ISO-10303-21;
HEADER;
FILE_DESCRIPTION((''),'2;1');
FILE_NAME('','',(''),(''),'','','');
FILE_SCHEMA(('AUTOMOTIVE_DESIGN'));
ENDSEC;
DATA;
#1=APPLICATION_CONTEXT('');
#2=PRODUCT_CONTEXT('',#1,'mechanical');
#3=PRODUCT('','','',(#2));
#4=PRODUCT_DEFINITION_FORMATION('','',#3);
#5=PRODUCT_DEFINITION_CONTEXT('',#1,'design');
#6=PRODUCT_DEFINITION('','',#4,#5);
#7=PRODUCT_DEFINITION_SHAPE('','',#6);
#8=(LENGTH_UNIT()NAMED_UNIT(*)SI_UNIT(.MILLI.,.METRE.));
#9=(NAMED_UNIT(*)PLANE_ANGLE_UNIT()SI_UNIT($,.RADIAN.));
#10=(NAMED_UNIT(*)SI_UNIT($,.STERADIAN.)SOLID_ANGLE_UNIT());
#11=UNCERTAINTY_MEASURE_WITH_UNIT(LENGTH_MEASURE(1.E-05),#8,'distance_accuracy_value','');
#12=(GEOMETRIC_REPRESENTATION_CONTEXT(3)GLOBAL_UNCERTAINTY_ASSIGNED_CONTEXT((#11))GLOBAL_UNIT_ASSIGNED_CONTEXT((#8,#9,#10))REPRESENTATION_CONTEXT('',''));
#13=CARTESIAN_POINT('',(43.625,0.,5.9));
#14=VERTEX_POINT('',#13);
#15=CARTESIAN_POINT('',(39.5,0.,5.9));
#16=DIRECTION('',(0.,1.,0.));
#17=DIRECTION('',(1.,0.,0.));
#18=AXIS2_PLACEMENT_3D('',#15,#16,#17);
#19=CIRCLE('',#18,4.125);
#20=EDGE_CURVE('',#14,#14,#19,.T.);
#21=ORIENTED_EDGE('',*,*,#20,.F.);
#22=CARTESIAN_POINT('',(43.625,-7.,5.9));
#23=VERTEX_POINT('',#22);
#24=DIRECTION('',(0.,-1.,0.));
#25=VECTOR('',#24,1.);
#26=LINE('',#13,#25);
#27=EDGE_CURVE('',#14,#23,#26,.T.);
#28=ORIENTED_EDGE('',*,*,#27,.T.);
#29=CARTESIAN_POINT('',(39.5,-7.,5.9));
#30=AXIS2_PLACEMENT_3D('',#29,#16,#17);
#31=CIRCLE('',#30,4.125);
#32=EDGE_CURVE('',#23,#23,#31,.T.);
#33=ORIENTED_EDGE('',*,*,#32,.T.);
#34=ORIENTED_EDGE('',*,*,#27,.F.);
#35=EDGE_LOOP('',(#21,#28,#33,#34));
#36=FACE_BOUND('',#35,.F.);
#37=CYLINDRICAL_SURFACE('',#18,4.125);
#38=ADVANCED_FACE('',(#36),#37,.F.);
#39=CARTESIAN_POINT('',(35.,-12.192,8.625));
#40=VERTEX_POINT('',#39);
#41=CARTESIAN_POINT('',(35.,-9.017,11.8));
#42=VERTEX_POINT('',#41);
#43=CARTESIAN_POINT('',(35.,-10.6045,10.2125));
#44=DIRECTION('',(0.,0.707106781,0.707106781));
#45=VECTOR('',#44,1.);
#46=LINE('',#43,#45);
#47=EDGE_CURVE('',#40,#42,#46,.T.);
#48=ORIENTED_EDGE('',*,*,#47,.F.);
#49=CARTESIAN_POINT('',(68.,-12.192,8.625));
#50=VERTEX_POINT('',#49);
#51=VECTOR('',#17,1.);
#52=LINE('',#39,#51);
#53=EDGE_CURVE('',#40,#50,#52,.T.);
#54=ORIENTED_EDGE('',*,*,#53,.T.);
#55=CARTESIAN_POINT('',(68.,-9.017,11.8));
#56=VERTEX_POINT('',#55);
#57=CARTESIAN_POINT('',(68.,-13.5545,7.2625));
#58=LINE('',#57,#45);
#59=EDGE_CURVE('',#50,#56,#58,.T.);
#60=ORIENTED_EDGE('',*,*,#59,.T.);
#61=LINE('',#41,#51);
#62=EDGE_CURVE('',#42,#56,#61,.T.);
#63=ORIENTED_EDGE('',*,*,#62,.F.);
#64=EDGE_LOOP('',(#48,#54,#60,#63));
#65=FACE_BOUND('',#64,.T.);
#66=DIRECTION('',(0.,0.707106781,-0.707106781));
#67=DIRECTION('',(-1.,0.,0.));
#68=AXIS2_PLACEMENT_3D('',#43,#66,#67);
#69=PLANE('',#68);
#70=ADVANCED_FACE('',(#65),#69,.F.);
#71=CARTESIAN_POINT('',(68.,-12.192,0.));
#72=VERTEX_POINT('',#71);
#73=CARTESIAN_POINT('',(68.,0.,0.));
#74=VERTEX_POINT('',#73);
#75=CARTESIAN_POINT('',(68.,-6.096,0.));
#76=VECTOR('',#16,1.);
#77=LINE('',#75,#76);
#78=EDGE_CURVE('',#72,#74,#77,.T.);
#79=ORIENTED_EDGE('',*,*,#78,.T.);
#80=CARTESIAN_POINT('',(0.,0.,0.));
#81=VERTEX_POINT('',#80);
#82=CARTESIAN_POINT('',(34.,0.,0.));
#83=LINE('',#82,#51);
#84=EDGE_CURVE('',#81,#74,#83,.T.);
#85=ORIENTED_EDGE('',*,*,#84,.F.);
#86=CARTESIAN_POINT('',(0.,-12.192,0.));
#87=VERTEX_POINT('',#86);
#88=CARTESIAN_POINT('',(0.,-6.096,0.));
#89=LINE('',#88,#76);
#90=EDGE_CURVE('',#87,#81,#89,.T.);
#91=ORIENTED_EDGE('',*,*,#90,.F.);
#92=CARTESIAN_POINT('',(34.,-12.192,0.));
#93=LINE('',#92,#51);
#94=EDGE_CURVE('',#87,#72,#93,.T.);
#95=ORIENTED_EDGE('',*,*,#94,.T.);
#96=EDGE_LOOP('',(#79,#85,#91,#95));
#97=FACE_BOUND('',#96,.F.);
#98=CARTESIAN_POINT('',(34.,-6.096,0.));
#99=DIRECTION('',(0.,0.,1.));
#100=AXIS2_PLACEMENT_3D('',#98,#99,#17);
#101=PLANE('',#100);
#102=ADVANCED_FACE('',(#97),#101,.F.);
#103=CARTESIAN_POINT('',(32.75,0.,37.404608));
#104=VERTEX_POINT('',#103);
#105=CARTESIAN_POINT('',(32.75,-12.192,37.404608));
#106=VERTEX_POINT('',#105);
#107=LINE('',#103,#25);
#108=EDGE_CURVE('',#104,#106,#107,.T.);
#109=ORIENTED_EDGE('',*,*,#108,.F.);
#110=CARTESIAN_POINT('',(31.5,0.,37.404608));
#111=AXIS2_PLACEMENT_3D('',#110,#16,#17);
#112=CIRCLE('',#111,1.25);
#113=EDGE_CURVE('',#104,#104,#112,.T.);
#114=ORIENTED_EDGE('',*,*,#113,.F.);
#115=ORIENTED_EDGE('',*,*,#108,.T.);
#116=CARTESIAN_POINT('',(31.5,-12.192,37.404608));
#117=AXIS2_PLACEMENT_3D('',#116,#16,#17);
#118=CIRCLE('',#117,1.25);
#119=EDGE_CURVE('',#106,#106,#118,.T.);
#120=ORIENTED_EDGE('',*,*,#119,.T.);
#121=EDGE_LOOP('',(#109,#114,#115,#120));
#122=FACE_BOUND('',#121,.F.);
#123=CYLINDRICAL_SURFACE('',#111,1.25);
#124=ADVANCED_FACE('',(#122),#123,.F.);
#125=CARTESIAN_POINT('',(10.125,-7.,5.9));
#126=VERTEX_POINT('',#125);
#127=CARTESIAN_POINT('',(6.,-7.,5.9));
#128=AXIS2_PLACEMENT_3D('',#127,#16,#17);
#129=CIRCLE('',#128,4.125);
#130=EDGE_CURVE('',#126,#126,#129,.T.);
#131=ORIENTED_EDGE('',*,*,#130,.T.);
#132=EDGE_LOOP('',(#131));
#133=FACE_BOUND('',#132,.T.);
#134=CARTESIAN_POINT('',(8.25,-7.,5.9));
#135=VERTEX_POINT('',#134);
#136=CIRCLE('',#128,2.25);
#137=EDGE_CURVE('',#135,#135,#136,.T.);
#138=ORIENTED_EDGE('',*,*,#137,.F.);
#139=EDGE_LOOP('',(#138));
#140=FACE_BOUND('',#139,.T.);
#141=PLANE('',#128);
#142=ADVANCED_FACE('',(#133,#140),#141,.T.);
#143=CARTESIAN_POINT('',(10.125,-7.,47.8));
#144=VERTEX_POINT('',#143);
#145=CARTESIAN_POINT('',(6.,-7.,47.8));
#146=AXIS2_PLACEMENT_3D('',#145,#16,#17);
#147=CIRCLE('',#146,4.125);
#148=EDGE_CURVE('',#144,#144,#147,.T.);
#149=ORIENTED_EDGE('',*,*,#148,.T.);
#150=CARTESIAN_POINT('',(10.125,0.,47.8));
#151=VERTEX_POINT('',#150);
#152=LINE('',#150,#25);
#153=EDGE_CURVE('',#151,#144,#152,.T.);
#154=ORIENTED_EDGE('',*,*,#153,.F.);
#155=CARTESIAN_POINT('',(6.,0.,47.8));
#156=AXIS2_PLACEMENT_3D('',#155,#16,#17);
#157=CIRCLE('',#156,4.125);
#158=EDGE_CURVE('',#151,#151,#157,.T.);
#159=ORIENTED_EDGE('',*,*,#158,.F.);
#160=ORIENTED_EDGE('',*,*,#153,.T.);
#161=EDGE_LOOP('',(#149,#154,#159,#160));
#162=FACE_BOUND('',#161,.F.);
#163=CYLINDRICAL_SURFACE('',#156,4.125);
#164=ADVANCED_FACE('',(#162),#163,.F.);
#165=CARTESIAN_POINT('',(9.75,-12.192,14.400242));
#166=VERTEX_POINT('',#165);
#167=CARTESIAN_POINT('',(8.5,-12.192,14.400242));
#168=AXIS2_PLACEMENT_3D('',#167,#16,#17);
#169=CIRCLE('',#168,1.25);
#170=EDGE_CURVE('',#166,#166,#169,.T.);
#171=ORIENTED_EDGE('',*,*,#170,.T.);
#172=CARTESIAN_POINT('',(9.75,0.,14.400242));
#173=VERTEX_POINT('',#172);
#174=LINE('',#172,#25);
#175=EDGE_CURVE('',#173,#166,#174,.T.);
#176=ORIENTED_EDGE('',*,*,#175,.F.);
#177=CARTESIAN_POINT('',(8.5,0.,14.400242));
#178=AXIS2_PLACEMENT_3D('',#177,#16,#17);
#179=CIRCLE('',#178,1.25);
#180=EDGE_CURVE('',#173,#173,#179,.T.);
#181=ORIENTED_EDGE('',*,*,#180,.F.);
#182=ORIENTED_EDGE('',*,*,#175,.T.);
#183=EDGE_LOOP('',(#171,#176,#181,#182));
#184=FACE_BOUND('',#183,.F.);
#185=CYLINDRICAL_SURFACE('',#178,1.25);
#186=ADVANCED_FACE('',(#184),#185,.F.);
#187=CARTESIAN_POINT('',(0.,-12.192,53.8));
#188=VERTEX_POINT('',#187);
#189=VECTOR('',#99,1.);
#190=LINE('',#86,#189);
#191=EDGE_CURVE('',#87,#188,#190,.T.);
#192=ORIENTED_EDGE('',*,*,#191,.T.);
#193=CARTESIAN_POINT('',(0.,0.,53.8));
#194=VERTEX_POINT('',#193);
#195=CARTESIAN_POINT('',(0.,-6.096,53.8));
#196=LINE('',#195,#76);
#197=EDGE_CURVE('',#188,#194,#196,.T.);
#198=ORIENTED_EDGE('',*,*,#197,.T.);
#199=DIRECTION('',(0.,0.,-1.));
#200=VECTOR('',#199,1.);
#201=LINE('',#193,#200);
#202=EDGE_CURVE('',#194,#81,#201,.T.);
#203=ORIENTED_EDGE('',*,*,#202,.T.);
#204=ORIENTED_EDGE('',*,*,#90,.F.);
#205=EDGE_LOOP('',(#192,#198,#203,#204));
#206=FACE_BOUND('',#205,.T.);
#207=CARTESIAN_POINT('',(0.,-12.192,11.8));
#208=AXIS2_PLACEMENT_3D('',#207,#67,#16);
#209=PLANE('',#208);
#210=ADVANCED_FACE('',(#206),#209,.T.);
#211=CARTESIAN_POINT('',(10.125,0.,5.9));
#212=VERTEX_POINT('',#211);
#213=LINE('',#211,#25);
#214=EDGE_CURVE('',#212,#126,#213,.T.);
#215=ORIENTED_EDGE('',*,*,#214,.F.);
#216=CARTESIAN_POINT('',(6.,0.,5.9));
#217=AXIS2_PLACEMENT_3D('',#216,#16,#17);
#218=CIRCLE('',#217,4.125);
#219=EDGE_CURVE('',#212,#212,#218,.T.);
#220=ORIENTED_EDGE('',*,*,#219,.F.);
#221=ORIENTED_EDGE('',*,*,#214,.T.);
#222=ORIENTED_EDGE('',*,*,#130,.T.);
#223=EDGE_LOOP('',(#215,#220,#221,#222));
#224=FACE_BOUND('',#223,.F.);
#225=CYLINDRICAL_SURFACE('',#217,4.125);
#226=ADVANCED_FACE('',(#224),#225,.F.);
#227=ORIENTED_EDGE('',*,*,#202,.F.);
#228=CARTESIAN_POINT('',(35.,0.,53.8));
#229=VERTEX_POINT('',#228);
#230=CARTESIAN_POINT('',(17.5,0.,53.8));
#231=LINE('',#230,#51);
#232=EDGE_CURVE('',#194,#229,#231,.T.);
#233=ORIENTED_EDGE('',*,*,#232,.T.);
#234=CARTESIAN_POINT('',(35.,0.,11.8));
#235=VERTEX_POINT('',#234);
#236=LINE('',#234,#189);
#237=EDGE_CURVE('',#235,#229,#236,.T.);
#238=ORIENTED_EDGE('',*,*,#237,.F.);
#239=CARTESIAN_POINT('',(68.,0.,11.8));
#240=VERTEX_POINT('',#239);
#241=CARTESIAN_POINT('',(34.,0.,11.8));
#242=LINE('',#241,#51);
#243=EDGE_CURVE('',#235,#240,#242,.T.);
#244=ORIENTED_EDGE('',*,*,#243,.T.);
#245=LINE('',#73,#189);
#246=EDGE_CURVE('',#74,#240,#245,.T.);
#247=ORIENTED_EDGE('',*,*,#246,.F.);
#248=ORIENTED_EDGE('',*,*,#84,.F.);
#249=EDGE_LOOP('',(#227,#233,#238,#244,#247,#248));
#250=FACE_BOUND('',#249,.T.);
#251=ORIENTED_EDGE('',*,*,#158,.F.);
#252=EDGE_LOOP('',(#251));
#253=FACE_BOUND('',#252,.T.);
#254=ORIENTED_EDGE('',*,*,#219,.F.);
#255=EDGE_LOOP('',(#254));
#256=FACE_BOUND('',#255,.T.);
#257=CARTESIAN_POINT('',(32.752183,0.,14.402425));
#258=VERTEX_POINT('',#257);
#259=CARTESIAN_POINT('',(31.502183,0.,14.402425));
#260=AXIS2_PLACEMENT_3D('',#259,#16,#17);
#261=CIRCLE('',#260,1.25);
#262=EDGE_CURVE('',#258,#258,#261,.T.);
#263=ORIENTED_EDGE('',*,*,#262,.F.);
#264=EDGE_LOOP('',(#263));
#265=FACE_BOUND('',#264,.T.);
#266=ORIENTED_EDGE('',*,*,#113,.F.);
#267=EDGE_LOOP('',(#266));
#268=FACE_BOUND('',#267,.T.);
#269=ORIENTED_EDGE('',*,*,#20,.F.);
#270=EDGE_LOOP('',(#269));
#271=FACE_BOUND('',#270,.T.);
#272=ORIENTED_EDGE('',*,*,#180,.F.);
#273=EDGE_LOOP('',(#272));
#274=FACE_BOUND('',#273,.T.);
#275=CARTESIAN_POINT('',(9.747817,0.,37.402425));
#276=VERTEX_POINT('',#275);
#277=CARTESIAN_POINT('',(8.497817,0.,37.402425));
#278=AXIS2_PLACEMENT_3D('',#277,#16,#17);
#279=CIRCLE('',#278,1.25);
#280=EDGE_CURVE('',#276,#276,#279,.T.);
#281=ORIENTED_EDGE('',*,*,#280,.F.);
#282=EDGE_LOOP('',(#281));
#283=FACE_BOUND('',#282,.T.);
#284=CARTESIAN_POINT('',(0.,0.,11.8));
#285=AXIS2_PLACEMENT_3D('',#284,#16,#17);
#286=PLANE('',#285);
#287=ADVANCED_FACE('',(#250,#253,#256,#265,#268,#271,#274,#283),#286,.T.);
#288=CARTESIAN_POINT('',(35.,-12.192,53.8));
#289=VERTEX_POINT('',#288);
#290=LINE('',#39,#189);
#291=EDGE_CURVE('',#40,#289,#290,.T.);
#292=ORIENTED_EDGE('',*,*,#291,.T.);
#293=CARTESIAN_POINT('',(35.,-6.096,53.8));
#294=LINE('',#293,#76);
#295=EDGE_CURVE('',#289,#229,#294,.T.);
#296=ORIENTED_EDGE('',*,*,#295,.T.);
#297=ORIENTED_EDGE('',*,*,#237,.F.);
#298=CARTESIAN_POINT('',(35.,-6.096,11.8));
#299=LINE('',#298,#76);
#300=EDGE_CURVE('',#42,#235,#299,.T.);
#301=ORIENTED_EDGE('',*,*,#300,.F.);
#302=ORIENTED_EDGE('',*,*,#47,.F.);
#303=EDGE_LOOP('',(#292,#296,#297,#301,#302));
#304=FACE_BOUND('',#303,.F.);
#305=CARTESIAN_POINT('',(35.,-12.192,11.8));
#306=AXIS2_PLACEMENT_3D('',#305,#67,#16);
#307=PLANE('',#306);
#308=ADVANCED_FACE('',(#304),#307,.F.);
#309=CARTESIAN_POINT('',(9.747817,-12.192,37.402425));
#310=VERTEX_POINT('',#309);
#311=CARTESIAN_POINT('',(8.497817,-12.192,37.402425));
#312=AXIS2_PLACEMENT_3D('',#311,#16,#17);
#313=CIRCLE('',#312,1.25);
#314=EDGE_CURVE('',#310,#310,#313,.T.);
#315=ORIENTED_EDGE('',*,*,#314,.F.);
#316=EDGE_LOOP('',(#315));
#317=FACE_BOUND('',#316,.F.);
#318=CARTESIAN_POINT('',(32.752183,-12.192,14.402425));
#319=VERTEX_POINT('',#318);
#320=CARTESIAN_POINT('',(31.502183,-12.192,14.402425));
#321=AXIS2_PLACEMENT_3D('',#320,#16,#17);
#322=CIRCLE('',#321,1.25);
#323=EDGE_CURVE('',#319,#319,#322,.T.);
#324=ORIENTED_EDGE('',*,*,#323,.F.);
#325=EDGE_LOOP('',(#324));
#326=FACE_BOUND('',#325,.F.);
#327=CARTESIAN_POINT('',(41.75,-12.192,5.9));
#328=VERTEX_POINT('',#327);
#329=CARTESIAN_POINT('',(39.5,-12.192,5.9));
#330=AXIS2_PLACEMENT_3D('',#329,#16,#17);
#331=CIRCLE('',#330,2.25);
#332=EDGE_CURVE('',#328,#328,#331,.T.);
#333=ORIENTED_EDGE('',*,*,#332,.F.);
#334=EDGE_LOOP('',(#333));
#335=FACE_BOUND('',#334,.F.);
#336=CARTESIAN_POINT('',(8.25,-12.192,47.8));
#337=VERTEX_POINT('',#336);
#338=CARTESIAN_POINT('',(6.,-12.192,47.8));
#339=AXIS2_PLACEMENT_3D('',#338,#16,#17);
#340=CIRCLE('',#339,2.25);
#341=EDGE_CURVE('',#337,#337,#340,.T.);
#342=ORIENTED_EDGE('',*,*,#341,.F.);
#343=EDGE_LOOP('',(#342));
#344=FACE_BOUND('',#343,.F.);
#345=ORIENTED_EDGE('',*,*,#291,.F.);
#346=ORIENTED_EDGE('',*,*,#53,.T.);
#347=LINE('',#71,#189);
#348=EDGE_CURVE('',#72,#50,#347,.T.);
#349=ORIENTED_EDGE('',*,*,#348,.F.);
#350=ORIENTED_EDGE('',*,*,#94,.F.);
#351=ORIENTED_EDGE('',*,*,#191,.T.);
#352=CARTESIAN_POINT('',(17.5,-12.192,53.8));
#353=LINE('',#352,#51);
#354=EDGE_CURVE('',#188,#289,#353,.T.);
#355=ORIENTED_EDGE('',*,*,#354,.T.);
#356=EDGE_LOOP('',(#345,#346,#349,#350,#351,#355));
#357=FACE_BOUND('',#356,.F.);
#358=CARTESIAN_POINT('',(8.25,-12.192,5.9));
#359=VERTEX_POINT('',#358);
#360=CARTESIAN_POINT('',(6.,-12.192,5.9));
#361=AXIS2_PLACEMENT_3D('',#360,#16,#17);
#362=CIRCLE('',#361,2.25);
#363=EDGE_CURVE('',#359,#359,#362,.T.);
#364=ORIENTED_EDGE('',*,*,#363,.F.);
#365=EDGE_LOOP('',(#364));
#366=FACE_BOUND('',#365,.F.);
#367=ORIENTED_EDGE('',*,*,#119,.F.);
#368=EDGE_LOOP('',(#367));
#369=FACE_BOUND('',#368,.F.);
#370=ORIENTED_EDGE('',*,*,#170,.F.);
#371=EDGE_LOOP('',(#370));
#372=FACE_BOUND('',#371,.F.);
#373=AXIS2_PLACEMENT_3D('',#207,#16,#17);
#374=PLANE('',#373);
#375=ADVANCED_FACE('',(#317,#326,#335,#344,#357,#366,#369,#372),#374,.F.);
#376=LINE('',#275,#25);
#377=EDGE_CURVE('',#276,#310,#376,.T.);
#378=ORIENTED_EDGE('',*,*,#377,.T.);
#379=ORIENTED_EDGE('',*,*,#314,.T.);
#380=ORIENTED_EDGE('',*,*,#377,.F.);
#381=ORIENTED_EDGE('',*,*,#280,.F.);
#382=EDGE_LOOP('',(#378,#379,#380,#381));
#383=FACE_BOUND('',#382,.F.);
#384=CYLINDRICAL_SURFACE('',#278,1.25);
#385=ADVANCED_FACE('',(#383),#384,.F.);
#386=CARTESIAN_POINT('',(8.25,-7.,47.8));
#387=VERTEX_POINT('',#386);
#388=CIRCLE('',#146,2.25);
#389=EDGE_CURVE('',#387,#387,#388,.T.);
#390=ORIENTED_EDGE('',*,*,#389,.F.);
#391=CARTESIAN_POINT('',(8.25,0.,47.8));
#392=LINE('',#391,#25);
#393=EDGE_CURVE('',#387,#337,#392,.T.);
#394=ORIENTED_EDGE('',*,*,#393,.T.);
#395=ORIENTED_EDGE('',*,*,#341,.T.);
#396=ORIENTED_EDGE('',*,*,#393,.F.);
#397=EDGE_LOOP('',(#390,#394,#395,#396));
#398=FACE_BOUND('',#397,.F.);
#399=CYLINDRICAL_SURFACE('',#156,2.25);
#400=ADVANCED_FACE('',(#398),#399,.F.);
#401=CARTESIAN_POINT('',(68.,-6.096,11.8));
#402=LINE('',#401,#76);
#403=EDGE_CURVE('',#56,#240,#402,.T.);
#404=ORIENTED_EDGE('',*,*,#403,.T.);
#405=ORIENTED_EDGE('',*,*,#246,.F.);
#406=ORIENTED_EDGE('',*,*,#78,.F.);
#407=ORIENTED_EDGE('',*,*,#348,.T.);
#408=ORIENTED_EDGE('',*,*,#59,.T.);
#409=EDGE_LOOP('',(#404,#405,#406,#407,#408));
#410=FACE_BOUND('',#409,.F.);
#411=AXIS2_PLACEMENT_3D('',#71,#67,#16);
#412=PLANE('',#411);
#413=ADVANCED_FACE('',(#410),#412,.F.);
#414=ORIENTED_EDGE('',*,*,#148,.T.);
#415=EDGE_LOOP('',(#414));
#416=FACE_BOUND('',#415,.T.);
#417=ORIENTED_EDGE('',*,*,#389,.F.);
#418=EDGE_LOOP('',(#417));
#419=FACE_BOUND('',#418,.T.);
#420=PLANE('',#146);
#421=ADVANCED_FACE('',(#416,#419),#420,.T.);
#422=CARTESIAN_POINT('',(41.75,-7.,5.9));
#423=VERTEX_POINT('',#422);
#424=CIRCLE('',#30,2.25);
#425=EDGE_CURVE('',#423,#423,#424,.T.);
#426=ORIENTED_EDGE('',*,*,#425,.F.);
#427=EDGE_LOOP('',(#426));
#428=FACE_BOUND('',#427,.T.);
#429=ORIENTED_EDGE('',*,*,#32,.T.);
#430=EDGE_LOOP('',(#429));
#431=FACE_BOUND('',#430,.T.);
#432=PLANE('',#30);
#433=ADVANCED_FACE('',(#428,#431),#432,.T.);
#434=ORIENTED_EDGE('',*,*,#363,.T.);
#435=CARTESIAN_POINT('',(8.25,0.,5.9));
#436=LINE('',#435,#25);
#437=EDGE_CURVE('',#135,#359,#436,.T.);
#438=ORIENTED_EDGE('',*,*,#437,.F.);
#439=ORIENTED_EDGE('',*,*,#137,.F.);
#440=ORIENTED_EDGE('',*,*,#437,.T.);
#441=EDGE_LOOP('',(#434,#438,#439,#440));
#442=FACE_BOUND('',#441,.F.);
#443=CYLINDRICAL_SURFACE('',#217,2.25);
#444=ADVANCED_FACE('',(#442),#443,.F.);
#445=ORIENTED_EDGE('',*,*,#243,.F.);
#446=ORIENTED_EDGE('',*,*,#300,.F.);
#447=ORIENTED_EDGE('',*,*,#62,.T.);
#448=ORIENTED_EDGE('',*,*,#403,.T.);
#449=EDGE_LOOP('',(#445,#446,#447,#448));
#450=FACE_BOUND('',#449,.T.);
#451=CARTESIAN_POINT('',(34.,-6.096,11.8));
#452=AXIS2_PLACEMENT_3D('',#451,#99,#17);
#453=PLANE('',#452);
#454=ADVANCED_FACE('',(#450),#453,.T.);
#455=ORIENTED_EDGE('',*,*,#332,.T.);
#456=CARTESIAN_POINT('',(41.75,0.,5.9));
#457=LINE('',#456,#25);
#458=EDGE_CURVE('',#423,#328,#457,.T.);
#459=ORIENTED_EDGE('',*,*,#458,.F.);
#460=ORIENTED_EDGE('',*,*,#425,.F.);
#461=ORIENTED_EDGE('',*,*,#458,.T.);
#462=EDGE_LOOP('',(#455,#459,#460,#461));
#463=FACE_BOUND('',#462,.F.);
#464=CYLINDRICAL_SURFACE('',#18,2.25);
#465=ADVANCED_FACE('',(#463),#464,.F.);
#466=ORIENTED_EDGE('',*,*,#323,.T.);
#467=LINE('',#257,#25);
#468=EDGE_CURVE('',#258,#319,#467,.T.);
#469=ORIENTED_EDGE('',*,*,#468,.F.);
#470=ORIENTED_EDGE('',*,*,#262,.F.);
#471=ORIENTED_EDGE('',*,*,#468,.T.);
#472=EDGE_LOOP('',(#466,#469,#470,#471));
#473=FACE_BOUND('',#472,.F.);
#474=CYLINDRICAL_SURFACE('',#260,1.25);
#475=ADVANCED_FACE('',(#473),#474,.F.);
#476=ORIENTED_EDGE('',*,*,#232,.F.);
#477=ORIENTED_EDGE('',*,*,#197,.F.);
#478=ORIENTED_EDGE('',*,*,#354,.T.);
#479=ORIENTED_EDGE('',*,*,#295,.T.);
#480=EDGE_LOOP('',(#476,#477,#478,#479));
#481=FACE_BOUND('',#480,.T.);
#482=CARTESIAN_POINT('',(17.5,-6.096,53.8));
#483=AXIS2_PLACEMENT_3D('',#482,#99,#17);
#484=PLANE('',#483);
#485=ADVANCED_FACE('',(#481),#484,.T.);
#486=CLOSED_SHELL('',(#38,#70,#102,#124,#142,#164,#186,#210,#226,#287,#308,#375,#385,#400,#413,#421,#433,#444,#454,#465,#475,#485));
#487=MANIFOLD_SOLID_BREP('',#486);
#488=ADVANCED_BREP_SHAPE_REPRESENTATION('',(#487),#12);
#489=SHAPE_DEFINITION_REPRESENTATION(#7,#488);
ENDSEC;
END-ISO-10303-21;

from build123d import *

# Parameters (mm, degrees)
SKETCH1_W           = 68
SKETCH1_H           = 12.192
BOSS_EXTRUDE1_DEPTH = 11.8
SKETCH2_R           = 2.25
CUT_EXTRUDE1_DEPTH  = 13.192
SKETCH3_R           = 4.125
CUT_EXTRUDE2_DEPTH  = 7
SKETCH4_W           = 35
SKETCH4_H           = 12.192
BOSS_EXTRUDE2_DEPTH = 42
SKETCH5_R           = 2.25
CUT_EXTRUDE3_DEPTH  = 13.192
SKETCH6_R           = 4.125
CUT_EXTRUDE4_DEPTH  = 7
CUT_EXTRUDE5_REACH  = 14.192
SKETCH7_R           = 1.25
CHAMFER1_SIZE       = 3.175


with BuildPart() as part:
    # Sketch1 → Boss-Extrude1 (new body)
    with BuildSketch(Plane.XY):
        with Locations((34, -6.096)):
            Rectangle(SKETCH1_W, SKETCH1_H)
    extrude(amount=BOSS_EXTRUDE1_DEPTH)

    # Sketch2 → Cut-Extrude1 (cut, through all)
    with BuildSketch(Plane(origin=(0, 0, 0), x_dir=(1, 0, 0), z_dir=(0, 1, 0))):
        with Locations((39.5, -5.9)):
            Circle(SKETCH2_R)
        with Locations((6, -5.9)):
            Circle(SKETCH2_R)
    extrude(amount=-CUT_EXTRUDE1_DEPTH, mode=Mode.SUBTRACT)

    # Sketch3 → Cut-Extrude2 (cut)
    with BuildSketch(Plane(origin=(0, 0, 0), x_dir=(1, 0, 0), z_dir=(0, 1, 0))):
        with Locations((39.5, -5.9)):
            Circle(SKETCH3_R)
        with Locations((6, -5.9)):
            Circle(SKETCH3_R)
    extrude(amount=-CUT_EXTRUDE2_DEPTH, mode=Mode.SUBTRACT)

    # Sketch4 → Boss-Extrude2 (add)
    with BuildSketch(Plane.XY.offset(11.8)):
        with Locations((17.5, -6.096)):
            Rectangle(SKETCH4_W, SKETCH4_H)
    extrude(amount=BOSS_EXTRUDE2_DEPTH)

    # Sketch5 → Cut-Extrude3 (cut, through all)
    with BuildSketch(Plane(origin=(0, 0, 0), x_dir=(1, 0, 0), z_dir=(0, 1, 0))):
        with Locations((6, -47.8)):
            Circle(SKETCH5_R)
    extrude(amount=-CUT_EXTRUDE3_DEPTH, mode=Mode.SUBTRACT)

    # Sketch6 → Cut-Extrude4 (cut)
    with BuildSketch(Plane(origin=(0, 0, 0), x_dir=(1, 0, 0), z_dir=(0, 1, 0))):
        with Locations((6, -47.8)):
            Circle(SKETCH6_R)
    extrude(amount=-CUT_EXTRUDE4_DEPTH, mode=Mode.SUBTRACT)

    # Sketch7 → Cut-Extrude5 (cut, up to next)
    with BuildSketch(Plane(origin=(0, 0, 0), x_dir=(1, 0, 0), z_dir=(0, 1, 0)), mode=Mode.PRIVATE) as cut_extrude5_sk1:
        with Locations((8.5, -14.400241512)):
            Circle(SKETCH7_R)
    cut_extrude5_tool1 = extrude(cut_extrude5_sk1.sketch, amount=-CUT_EXTRUDE5_REACH, mode=Mode.PRIVATE) & part.part
    add(cut_extrude5_tool1.solids().sort_by_distance((8.5, 0, 14.400242))[0], mode=Mode.SUBTRACT)
    # Sketch7 → Cut-Extrude5 (cut, up to next)
    with BuildSketch(Plane(origin=(0, 0, 0), x_dir=(1, 0, 0), z_dir=(0, 1, 0)), mode=Mode.PRIVATE) as cut_extrude5_sk2:
        with Locations((8.497816512, -37.402425)):
            Circle(SKETCH7_R)
    cut_extrude5_tool2 = extrude(cut_extrude5_sk2.sketch, amount=-CUT_EXTRUDE5_REACH, mode=Mode.PRIVATE) & part.part
    add(cut_extrude5_tool2.solids().sort_by_distance((8.497817, 0, 37.402425))[0], mode=Mode.SUBTRACT)
    # Sketch7 → Cut-Extrude5 (cut, up to next)
    with BuildSketch(Plane(origin=(0, 0, 0), x_dir=(1, 0, 0), z_dir=(0, 1, 0)), mode=Mode.PRIVATE) as cut_extrude5_sk3:
        with Locations((31.5, -37.404608488)):
            Circle(SKETCH7_R)
    cut_extrude5_tool3 = extrude(cut_extrude5_sk3.sketch, amount=-CUT_EXTRUDE5_REACH, mode=Mode.PRIVATE) & part.part
    add(cut_extrude5_tool3.solids().sort_by_distance((31.5, 0, 37.404608))[0], mode=Mode.SUBTRACT)
    # Sketch7 → Cut-Extrude5 (cut, up to next)
    with BuildSketch(Plane(origin=(0, 0, 0), x_dir=(1, 0, 0), z_dir=(0, 1, 0)), mode=Mode.PRIVATE) as cut_extrude5_sk4:
        with Locations((31.502183488, -14.402425)):
            Circle(SKETCH7_R)
    cut_extrude5_tool4 = extrude(cut_extrude5_sk4.sketch, amount=-CUT_EXTRUDE5_REACH, mode=Mode.PRIVATE) & part.part
    add(cut_extrude5_tool4.solids().sort_by_distance((31.502183, 0, 14.402425))[0], mode=Mode.SUBTRACT)

    # Chamfer1
    chamfer1_edges = [part.edges().sort_by_distance(p)[0] for p in [
        (51.5, -12.192, 11.8),
    ]]
    chamfer(chamfer1_edges, length=CHAMFER1_SIZE)


solid = part.part
